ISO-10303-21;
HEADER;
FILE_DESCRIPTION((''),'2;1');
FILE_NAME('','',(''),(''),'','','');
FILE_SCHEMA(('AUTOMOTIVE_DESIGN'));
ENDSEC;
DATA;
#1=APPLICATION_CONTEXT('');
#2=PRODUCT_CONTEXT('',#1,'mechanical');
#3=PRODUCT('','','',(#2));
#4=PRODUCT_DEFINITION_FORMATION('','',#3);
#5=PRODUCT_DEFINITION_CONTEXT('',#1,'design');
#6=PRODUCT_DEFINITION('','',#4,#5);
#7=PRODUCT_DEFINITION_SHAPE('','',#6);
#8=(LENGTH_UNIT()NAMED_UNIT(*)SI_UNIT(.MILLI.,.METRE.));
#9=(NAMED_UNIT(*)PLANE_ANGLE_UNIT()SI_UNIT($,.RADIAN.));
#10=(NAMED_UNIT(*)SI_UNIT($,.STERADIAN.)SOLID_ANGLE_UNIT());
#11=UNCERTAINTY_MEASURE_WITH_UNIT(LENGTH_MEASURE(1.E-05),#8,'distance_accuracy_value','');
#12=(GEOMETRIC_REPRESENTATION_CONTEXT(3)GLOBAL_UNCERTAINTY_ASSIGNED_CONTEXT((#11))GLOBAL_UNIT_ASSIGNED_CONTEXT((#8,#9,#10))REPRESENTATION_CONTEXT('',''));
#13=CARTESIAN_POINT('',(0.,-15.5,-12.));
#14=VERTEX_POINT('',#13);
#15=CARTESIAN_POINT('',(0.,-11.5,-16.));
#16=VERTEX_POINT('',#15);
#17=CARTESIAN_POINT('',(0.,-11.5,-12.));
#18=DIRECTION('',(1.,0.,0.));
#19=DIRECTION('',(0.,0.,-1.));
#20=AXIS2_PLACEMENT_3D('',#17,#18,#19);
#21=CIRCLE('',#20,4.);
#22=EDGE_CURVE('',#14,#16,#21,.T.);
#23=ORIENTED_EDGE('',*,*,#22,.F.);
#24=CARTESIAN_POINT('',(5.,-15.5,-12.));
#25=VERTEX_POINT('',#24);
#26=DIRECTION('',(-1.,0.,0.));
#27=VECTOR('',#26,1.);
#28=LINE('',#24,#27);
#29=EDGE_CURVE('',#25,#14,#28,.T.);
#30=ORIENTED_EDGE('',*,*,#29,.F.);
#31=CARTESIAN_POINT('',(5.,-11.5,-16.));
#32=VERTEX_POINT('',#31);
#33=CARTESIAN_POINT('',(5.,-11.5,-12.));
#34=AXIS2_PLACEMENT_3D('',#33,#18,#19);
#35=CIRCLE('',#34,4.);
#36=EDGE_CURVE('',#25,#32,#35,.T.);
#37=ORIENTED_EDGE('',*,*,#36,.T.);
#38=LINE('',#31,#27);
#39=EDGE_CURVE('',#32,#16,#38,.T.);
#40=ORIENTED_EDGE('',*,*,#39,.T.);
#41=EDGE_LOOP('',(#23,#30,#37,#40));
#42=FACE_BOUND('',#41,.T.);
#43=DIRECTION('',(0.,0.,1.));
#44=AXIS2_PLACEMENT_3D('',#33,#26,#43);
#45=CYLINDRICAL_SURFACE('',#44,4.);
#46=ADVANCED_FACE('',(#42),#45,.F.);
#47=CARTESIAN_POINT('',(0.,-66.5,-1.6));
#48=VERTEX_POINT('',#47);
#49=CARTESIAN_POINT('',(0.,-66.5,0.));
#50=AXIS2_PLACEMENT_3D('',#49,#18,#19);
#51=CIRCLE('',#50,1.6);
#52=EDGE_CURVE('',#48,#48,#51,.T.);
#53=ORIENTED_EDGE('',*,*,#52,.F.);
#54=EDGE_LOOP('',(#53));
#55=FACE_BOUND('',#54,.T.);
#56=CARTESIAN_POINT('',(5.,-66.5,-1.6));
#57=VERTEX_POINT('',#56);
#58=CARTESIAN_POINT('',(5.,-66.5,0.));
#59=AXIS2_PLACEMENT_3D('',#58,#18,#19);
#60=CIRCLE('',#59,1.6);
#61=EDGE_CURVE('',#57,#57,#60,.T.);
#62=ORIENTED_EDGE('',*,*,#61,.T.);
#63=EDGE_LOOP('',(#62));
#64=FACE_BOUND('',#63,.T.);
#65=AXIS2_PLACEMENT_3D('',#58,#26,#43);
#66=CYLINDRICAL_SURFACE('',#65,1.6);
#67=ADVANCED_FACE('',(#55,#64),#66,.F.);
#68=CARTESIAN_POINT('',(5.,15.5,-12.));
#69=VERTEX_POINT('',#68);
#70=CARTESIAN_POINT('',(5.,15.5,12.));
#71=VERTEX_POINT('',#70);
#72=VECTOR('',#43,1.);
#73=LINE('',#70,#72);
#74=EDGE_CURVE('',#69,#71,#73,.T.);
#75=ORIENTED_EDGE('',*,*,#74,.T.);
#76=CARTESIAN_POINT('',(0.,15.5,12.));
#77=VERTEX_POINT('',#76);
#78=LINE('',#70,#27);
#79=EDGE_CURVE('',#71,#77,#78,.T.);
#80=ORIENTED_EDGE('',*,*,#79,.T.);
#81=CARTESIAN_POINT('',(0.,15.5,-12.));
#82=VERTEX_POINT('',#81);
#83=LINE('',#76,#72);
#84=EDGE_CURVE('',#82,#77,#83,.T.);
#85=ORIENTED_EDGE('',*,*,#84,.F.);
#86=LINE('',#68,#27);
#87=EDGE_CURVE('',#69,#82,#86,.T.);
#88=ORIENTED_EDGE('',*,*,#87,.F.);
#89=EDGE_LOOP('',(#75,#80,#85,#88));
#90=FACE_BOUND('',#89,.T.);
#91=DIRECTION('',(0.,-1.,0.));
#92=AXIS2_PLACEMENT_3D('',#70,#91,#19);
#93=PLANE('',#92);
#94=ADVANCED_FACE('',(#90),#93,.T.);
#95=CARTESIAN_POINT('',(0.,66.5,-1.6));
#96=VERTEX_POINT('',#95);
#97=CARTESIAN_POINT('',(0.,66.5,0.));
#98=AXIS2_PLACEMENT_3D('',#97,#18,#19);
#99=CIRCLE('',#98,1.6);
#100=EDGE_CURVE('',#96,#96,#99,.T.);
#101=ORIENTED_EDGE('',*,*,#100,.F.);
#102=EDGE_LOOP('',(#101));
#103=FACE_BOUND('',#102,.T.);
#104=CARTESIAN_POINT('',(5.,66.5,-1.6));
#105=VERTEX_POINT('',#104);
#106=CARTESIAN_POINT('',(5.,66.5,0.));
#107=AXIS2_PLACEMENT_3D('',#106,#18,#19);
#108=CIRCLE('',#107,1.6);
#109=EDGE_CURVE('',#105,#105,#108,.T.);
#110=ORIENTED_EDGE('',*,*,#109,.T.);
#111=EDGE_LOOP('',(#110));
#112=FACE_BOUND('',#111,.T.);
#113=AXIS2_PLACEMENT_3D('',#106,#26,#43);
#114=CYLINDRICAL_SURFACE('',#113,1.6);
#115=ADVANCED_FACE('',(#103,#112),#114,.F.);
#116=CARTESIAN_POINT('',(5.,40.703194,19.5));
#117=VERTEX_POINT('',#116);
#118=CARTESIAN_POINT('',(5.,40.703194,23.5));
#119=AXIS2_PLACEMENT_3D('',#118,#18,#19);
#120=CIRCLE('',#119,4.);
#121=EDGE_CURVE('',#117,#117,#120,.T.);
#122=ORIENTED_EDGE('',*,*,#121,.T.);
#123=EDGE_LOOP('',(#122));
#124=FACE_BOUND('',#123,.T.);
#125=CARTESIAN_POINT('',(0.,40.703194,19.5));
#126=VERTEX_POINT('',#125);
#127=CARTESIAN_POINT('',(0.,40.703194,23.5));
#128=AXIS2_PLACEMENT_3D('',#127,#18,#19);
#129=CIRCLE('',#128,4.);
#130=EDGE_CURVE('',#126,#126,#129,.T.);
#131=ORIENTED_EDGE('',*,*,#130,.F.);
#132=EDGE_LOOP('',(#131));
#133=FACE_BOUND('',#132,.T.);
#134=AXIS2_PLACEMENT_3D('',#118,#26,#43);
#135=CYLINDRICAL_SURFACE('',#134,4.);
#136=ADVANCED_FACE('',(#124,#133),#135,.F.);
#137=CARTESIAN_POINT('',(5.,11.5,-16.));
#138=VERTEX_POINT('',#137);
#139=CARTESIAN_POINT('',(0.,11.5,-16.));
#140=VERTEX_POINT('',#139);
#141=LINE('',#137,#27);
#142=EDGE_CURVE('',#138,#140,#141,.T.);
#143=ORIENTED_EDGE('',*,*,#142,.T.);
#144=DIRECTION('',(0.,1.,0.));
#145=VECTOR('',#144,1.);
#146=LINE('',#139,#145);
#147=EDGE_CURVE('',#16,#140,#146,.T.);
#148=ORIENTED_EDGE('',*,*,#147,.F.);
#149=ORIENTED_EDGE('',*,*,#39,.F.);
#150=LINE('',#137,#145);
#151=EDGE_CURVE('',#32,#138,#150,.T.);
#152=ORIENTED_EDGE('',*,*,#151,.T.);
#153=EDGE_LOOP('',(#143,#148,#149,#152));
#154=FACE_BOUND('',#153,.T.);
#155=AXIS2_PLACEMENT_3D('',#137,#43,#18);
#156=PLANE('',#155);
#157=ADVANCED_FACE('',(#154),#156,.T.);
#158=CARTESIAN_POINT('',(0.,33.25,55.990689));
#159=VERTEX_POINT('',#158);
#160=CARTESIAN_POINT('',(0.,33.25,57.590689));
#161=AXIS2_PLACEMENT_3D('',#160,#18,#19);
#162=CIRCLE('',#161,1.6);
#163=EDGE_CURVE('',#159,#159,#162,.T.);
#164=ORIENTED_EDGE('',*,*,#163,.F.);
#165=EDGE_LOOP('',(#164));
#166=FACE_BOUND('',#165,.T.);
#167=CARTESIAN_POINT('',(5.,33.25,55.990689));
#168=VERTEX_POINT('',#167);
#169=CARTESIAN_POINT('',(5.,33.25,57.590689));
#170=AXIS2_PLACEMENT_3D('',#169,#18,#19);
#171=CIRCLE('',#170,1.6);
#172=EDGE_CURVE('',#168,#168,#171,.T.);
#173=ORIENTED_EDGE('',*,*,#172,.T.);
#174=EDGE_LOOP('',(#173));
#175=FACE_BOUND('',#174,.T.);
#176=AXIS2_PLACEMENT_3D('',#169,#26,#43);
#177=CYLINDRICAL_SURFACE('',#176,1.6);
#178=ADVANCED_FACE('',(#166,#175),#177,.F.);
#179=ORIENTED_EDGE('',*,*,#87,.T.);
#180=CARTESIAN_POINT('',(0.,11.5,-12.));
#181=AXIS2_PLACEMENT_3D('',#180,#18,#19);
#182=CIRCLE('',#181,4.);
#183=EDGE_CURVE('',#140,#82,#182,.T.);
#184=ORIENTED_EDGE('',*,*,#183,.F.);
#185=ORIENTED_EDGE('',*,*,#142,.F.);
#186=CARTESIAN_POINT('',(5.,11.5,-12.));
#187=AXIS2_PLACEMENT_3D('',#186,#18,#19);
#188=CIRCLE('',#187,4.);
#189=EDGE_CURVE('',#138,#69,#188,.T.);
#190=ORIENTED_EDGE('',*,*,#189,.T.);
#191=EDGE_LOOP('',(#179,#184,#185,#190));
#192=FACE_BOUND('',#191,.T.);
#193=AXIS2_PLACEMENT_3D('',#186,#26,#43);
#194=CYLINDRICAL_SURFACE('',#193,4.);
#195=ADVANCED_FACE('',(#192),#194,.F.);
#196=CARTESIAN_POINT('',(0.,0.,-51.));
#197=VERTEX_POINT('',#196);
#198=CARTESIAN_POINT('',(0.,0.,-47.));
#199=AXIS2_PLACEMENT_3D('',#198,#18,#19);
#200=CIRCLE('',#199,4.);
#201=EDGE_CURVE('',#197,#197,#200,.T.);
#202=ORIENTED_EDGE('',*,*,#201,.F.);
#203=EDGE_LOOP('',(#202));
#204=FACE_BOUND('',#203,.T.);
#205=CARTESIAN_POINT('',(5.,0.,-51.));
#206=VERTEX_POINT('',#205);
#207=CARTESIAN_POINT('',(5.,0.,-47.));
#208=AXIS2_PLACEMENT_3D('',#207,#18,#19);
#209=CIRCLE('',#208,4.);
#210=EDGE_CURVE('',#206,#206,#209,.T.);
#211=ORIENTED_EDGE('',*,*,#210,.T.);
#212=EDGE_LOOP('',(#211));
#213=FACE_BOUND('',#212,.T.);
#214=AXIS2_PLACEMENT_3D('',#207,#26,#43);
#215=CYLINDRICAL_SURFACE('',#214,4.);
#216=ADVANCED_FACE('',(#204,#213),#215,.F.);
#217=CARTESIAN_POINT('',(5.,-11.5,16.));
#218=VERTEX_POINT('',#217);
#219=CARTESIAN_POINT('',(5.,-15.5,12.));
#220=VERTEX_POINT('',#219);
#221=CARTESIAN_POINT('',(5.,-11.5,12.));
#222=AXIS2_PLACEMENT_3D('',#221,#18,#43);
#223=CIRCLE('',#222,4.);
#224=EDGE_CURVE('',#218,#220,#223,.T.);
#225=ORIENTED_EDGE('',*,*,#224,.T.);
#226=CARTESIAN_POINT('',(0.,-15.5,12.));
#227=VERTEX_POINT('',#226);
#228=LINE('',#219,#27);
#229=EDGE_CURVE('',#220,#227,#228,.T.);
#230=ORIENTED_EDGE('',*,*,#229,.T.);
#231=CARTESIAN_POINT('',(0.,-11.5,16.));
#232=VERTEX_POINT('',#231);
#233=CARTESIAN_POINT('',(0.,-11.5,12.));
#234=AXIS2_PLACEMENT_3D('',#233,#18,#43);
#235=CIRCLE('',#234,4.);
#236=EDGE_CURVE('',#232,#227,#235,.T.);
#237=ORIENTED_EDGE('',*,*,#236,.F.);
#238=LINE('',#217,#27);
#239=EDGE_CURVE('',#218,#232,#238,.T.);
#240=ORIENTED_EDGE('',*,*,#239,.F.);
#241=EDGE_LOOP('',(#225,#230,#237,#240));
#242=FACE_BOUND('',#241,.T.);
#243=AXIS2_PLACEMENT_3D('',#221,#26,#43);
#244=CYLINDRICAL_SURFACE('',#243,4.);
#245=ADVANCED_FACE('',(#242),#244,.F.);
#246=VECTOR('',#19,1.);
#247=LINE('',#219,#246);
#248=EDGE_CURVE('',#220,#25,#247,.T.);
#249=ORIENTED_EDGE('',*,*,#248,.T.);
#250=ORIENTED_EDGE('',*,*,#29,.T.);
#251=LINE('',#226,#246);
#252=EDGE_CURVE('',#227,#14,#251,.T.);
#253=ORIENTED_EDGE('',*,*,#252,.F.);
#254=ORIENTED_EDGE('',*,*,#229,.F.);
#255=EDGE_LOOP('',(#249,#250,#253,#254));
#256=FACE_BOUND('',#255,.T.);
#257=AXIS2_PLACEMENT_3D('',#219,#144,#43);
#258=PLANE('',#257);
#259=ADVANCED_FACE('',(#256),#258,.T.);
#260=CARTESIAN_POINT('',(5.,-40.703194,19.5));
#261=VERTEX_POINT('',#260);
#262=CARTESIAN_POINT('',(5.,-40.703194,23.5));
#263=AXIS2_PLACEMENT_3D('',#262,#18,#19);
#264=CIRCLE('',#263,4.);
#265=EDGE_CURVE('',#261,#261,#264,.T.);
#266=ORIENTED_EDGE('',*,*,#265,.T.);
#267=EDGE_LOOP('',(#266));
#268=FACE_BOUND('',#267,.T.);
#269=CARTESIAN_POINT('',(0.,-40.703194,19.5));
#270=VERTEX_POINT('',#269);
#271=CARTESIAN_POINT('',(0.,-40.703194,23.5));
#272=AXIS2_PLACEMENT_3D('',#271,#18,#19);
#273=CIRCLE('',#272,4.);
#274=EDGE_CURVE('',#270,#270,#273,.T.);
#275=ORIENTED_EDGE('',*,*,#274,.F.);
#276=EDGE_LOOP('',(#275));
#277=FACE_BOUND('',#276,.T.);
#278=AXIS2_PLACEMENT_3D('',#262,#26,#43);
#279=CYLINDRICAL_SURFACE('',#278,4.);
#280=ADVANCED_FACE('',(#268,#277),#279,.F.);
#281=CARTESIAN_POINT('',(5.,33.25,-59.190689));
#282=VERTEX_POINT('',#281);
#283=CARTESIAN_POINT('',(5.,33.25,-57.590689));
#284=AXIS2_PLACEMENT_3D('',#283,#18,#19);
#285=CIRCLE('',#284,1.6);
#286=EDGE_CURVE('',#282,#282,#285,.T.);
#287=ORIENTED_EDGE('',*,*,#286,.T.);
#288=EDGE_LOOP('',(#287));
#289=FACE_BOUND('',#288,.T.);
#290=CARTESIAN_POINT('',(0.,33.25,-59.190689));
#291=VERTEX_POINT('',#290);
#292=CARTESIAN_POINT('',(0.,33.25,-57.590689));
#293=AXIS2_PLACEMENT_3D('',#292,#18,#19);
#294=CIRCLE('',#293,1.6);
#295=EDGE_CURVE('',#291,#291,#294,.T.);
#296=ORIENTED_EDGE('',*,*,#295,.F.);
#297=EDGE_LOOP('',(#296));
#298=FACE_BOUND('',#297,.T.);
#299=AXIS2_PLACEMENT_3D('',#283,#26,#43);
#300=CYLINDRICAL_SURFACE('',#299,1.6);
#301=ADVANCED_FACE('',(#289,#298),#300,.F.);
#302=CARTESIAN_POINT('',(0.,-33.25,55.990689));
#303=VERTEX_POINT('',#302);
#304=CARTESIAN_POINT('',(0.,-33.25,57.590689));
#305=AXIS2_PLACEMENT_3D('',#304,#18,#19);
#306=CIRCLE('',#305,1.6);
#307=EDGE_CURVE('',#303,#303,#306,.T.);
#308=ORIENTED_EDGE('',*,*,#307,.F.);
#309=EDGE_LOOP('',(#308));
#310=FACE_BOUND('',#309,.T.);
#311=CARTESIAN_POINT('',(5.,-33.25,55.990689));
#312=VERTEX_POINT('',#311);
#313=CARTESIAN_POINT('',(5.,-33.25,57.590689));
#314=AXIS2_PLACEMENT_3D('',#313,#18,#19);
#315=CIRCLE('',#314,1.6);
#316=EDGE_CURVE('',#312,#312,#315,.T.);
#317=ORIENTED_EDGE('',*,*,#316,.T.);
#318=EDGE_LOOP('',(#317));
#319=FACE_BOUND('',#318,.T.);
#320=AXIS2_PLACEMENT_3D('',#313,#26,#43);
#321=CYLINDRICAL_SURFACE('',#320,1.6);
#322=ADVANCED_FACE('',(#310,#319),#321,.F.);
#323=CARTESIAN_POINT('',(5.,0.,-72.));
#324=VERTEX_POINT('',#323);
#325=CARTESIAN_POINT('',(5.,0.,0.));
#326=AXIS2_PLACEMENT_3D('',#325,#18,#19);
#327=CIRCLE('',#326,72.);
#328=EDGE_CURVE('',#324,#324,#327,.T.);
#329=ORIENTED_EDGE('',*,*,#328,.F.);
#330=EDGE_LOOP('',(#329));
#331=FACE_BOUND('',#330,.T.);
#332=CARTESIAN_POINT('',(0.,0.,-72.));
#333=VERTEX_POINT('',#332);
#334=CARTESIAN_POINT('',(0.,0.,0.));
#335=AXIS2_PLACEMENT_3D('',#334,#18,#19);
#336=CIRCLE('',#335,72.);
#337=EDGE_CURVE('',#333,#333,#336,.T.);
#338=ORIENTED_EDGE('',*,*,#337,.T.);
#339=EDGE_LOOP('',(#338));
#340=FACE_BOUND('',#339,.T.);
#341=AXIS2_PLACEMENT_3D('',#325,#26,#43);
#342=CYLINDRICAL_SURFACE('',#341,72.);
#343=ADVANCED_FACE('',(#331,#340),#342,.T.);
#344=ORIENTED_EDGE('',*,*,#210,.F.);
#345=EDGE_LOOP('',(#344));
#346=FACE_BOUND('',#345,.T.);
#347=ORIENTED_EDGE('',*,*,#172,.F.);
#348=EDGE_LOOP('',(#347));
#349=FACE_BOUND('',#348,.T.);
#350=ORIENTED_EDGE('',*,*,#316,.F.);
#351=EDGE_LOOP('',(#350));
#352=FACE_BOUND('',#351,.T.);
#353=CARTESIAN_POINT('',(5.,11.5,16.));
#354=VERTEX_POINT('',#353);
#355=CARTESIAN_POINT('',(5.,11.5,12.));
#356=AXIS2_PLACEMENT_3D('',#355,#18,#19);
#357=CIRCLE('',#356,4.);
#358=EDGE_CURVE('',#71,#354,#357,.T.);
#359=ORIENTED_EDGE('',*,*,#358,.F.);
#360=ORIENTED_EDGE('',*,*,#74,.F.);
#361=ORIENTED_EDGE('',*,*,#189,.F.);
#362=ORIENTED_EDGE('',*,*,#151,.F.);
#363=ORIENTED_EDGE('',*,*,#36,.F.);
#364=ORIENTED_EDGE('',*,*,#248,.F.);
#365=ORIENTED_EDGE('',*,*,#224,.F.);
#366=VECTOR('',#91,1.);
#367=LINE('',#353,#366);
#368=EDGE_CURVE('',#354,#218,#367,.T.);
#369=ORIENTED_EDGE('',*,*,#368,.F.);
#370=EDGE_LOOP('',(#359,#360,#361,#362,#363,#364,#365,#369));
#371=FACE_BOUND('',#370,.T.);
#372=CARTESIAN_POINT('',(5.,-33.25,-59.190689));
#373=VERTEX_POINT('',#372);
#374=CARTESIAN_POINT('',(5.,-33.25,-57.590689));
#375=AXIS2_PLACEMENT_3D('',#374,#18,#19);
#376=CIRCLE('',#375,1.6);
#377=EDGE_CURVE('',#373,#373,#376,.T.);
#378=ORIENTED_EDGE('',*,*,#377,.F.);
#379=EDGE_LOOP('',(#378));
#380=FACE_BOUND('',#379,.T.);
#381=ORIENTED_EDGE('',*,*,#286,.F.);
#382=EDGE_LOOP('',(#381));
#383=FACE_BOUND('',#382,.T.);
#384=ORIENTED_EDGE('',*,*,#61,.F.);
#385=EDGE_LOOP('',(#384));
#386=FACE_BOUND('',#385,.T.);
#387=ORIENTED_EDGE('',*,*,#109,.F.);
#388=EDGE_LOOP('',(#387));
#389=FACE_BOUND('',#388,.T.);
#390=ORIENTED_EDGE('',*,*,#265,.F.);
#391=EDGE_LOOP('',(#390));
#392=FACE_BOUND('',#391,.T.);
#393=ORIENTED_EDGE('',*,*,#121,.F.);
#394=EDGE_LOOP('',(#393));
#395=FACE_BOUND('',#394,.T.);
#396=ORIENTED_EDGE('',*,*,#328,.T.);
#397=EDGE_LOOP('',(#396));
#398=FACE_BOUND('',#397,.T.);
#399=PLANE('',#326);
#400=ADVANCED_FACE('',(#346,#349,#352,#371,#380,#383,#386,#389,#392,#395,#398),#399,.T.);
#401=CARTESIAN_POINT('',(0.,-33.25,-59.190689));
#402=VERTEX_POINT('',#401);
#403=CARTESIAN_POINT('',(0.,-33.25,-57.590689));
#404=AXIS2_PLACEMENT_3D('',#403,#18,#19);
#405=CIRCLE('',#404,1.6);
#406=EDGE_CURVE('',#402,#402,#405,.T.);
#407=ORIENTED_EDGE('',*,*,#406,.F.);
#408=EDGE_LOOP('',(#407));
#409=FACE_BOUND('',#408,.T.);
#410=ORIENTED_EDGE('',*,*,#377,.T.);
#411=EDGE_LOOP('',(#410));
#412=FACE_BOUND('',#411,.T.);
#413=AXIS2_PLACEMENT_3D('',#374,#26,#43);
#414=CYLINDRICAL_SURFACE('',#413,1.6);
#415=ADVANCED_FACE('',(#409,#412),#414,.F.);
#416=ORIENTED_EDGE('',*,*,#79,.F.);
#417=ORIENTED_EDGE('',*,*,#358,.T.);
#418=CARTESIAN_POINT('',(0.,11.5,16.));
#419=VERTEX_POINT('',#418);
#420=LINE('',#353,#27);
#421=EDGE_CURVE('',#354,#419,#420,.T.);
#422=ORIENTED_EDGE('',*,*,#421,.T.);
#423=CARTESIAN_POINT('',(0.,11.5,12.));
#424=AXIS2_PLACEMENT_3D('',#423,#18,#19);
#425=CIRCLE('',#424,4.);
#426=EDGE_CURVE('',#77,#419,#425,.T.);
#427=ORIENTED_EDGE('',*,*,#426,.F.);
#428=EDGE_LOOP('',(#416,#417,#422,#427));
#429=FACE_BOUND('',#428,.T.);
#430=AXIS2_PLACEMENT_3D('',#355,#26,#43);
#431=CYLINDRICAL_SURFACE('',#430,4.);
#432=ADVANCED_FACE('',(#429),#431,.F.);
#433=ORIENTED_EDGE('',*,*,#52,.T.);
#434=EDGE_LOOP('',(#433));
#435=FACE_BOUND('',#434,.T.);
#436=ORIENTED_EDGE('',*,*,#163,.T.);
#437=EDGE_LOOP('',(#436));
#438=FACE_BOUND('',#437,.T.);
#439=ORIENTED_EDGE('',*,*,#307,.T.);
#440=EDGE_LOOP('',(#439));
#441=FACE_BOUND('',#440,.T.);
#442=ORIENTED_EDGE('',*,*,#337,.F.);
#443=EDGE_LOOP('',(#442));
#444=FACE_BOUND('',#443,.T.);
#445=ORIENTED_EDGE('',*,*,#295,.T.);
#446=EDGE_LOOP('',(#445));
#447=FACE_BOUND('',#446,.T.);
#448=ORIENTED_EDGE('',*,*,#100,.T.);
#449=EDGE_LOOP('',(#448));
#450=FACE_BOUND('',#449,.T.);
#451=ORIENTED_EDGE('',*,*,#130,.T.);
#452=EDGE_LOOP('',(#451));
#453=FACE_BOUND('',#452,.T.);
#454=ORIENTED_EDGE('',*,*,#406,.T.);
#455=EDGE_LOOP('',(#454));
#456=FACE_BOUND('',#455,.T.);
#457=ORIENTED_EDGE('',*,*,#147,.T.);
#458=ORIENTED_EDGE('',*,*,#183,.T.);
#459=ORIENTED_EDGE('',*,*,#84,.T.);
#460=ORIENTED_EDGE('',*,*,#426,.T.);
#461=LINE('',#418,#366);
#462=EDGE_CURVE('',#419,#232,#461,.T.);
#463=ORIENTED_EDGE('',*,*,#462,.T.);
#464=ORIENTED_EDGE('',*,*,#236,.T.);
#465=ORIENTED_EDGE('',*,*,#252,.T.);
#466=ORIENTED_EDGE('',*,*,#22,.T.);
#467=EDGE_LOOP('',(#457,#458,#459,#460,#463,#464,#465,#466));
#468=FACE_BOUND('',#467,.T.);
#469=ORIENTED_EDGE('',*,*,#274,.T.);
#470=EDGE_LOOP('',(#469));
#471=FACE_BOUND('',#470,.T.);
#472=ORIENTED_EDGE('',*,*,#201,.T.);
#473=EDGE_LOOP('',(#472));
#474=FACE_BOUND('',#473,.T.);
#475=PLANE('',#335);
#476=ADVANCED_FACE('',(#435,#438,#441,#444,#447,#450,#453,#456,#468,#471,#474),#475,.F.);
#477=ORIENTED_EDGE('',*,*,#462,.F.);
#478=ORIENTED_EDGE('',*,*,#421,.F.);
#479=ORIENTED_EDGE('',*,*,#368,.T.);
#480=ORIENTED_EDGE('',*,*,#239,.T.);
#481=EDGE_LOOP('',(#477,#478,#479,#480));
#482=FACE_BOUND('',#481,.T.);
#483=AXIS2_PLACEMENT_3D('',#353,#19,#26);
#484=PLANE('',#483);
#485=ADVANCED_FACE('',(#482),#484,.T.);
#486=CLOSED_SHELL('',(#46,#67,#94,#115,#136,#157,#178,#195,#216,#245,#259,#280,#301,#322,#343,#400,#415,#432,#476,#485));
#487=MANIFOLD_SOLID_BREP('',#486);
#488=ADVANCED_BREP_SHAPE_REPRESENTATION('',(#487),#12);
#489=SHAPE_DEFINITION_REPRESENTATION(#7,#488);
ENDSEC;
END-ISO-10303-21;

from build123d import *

# Parameters (mm, degrees)
SKETCH4_R           = 72
BOSS_EXTRUDE3_DEPTH = 5
SKETCH3_R           = 4
CUT_EXTRUDE6_DEPTH  = 102.946064171
SKETCH2_R           = 1.6
CUT_EXTRUDE1_DEPTH  = 102.946064171
GOPRO_DEPTH         = 102.946064171


with BuildPart() as part:
    # Sketch4 → Boss-Extrude3 (new body)
    with BuildSketch(Plane(origin=(0, 0, 0), x_dir=(0, 0, -1), z_dir=(1, 0, 0))):
        Circle(SKETCH4_R)
    extrude(amount=BOSS_EXTRUDE3_DEPTH)

    # Sketch3 → Cut-Extrude6 (cut, through all)
    with BuildSketch(Plane(origin=(0, 0, 0), x_dir=(0, 0, -1), z_dir=(1, 0, 0))):
        with Locations((47, 0)):
            Circle(SKETCH3_R)
        with Locations((-23.5, -40.703193978)):
            Circle(SKETCH3_R)
        with Locations((-23.5, 40.703193978)):
            Circle(SKETCH3_R)
    extrude(amount=CUT_EXTRUDE6_DEPTH, mode=Mode.SUBTRACT)

    # Sketch2 → Cut-Extrude1 (cut, through all)
    with BuildSketch(Plane(origin=(0, 0, 0), x_dir=(0, 0, -1), z_dir=(1, 0, 0))):
        with Locations((0, 66.5)):
            Circle(SKETCH2_R)
        with Locations((57.590689352, 33.25)):
            Circle(SKETCH2_R)
        with Locations((57.590689352, -33.25)):
            Circle(SKETCH2_R)
        with Locations((0, -66.5)):
            Circle(SKETCH2_R)
        with Locations((-57.590689352, -33.25)):
            Circle(SKETCH2_R)
        with Locations((-57.590689352, 33.25)):
            Circle(SKETCH2_R)
    extrude(amount=CUT_EXTRUDE1_DEPTH, mode=Mode.SUBTRACT)

    # Sketch1 → gopro (cut, through all)
    with BuildSketch(Plane(origin=(0, 0, 0), x_dir=(0, 0, -1), z_dir=(1, 0, 0))):
        with BuildLine():
            Line((-12, 15.5), (12, 15.5))
            ThreePointArc((12, 15.5), (14.828427125, 14.328427125), (16, 11.5))
            Line((16, 11.5), (16, -11.5))
            ThreePointArc((16, -11.5), (14.828427125, -14.328427125), (12, -15.5))
            Line((12, -15.5), (-12, -15.5))
            ThreePointArc((-12, -15.5), (-14.828427125, -14.328427125), (-16, -11.5))
            Line((-16, -11.5), (-16, 11.5))
            ThreePointArc((-16, 11.5), (-14.828427125, 14.328427125), (-12, 15.5))
        make_face()
    extrude(amount=GOPRO_DEPTH, mode=Mode.SUBTRACT)


solid = part.part
